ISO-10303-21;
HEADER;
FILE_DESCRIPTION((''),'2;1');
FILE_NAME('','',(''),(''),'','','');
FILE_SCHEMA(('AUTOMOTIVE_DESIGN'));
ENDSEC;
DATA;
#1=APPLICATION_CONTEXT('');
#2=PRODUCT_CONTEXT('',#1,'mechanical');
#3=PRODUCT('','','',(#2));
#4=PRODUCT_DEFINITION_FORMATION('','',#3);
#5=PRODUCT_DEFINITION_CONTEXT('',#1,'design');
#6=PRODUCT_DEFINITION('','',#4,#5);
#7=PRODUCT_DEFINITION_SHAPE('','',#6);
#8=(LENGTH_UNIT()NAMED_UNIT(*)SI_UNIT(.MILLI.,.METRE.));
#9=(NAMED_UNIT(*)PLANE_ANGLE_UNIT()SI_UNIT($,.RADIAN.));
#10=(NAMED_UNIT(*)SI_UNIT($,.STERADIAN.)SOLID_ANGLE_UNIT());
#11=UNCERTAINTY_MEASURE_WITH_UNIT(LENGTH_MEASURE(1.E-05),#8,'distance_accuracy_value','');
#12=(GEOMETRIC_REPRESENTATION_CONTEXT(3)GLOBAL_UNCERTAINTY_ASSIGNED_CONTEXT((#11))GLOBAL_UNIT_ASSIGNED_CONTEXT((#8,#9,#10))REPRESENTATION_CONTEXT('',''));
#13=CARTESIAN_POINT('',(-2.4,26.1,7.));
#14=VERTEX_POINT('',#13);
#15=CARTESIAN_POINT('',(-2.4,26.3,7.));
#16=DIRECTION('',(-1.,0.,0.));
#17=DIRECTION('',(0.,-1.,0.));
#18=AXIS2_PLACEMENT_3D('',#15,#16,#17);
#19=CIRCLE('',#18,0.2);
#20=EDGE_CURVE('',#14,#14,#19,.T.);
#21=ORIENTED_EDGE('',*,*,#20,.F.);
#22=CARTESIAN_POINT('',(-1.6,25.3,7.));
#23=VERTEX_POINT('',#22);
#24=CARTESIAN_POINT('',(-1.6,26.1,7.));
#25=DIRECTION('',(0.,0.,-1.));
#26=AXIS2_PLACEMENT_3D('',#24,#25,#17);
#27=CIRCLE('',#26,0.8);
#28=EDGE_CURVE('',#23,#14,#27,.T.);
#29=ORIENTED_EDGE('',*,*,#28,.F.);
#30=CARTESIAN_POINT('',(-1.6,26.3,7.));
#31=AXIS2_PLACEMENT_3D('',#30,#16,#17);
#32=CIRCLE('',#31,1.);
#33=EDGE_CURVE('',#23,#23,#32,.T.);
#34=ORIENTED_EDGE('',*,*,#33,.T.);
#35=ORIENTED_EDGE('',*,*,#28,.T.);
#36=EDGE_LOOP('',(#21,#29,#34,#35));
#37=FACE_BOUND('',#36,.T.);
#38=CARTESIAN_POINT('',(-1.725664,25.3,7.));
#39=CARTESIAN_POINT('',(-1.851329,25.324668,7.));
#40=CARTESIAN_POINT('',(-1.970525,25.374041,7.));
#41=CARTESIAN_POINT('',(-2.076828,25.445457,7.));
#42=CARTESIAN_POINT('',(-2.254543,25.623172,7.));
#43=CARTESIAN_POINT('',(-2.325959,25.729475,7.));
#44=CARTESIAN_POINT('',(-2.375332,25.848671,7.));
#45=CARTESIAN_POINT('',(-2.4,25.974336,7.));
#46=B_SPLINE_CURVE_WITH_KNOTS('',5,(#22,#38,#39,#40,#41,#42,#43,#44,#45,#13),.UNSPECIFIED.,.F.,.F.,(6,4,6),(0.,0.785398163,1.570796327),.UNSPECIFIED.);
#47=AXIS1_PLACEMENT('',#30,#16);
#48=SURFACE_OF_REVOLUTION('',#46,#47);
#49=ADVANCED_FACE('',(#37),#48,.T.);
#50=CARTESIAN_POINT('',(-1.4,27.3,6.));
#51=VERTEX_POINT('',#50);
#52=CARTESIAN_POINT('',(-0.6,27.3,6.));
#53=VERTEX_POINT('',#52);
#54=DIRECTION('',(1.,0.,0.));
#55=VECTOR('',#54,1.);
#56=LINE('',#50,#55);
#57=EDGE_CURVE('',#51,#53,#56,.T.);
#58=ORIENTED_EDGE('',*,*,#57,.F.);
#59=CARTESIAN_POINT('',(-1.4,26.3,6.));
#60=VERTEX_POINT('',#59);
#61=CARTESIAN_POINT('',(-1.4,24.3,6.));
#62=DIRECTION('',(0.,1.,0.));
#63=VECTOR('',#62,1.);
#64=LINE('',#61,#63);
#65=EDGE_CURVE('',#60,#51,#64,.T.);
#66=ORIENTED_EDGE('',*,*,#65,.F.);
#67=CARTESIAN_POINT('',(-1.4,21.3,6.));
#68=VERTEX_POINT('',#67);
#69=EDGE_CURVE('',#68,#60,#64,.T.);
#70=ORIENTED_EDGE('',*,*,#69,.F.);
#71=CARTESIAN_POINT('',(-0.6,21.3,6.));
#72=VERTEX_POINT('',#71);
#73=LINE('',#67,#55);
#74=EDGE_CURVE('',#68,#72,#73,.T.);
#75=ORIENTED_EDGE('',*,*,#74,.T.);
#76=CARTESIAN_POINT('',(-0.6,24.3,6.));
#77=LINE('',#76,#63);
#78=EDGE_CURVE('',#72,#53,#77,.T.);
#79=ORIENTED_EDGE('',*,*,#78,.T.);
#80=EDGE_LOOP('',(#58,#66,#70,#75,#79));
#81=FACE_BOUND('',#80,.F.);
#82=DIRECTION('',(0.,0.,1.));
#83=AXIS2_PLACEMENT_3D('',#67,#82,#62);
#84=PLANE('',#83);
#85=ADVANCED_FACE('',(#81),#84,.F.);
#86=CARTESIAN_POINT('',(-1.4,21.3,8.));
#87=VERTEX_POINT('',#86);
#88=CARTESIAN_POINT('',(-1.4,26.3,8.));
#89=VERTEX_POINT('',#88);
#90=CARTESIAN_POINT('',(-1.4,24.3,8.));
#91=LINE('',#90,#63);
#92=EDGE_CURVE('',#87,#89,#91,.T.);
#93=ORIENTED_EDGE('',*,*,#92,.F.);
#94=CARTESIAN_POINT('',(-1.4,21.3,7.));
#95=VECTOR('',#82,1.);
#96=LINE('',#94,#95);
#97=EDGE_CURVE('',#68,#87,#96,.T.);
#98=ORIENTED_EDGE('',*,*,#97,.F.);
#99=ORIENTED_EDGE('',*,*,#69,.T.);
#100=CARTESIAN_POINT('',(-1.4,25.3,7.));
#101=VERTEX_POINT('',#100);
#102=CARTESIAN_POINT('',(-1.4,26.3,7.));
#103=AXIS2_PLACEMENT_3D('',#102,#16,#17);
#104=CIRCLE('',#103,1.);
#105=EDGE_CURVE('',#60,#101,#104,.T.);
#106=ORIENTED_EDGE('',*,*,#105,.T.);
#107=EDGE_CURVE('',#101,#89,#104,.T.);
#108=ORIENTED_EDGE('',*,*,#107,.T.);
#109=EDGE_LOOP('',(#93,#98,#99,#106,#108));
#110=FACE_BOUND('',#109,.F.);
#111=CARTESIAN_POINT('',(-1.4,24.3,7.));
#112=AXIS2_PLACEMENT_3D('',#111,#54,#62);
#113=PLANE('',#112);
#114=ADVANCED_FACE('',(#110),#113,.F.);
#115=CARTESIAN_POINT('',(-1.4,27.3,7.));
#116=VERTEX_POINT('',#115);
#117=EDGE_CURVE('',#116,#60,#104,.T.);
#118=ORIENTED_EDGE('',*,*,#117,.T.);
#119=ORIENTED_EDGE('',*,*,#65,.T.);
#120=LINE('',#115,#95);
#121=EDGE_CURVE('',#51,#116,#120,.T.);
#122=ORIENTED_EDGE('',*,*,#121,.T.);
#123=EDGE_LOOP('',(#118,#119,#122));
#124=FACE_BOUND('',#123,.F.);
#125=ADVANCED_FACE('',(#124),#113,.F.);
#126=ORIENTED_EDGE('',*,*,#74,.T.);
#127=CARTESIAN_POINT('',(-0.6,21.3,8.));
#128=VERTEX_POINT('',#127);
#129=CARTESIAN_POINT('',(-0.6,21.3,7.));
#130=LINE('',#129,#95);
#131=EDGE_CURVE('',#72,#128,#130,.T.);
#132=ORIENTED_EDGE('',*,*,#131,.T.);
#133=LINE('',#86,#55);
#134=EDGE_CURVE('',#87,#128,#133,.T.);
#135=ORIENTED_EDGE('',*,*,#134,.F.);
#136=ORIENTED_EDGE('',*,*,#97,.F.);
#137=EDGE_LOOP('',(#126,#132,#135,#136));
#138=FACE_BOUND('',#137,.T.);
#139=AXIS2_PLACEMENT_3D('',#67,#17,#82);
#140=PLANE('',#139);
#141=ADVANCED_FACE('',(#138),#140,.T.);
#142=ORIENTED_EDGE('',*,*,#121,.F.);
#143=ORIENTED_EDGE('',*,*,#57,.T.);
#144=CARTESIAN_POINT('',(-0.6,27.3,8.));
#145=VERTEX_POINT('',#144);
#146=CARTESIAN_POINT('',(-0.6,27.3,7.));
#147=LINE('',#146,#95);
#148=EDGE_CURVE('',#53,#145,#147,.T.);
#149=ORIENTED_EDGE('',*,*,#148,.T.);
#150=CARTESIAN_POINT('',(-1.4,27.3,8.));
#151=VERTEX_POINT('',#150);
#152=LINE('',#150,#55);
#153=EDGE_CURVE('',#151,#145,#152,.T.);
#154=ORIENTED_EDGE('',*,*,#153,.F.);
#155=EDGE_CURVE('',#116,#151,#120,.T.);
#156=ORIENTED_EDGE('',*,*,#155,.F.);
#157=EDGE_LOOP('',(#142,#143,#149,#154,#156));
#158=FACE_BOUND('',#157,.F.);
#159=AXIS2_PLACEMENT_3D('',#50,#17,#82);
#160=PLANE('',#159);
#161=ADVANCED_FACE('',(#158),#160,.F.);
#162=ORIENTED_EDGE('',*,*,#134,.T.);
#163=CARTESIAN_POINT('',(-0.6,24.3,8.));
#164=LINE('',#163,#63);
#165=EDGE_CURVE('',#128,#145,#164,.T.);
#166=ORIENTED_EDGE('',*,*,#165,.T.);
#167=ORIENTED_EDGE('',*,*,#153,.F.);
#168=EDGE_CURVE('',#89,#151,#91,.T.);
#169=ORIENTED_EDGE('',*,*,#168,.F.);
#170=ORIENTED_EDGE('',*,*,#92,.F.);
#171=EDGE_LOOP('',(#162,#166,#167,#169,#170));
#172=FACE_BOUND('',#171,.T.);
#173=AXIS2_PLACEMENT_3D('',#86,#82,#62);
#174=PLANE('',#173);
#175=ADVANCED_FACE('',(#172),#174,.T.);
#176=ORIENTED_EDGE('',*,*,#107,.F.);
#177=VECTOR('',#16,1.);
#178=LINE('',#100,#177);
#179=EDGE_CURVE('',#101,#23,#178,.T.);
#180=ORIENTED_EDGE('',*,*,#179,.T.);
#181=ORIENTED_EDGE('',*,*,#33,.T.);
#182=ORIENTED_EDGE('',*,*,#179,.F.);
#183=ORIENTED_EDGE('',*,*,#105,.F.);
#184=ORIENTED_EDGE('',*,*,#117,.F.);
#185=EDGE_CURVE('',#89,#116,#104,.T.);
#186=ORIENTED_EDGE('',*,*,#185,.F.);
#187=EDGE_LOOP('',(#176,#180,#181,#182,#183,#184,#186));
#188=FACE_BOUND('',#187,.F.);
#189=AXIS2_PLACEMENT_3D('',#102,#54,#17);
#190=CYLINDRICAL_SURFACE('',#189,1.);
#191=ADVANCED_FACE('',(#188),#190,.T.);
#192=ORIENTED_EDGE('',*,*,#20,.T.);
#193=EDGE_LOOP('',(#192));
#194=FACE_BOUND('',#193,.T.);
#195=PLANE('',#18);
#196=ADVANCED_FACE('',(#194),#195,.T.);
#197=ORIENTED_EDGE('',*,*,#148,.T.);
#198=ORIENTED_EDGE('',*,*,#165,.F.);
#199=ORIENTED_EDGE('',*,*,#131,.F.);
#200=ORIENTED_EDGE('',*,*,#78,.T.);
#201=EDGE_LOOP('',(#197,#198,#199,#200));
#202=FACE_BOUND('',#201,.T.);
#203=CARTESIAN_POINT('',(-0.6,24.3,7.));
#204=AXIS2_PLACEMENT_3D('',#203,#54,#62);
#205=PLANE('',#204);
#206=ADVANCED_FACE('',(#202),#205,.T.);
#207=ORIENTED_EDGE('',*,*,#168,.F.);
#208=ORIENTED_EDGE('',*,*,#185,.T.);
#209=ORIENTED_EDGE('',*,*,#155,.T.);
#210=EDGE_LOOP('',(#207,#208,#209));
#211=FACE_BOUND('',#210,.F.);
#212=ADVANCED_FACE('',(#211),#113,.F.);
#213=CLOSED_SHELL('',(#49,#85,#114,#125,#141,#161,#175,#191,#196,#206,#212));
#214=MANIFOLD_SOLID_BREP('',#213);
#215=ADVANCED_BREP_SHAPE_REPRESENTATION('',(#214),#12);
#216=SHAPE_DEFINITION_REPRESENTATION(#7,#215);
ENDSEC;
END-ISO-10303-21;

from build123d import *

# Parameters (mm, degrees)
SKETCH019_W             = 6
SKETCH019_H             = 2
PAD002_DEPTH            = 0.8
SKETCH020_R             = 1
PAD003_DEPTH            = 1
FILLET002_R             = 0.8
BODY004_PLACEMENT_ANGLE = 180


with BuildPart() as part:
    # Sketch019 → Pad002 (new body)
    with BuildSketch(Plane(origin=(-3, 16, 14), x_dir=(0, -1, 0), z_dir=(1, 0, 0))):
        with Locations((3, 1)):
            Rectangle(SKETCH019_W, SKETCH019_H)
    extrude(amount=PAD002_DEPTH)

    # Sketch020 (on Face5 of Pad002) → Pad003 (join)
    with BuildSketch(Plane(origin=(-3, 0, 0), x_dir=(0, 1, 0), z_dir=(-1, 0, 0))):
        with Locations((11, -13)):
            Circle(SKETCH020_R)
    extrude(amount=PAD003_DEPTH)

    # Fillet002
    fillet002_edges = [part.edges().sort_by_distance(p)[0] for p in [
        (-4, 10, 13),
    ]]
    fillet(fillet002_edges, radius=FILLET002_R)


with BuildPart() as part_1:
    # Body002 placement: moved
    add(part.part.moved(Location((-16, 0, 0))))


with BuildPart() as part_2:
    # Body004 placement: moved
    add(part_1.part.moved(Location((17.6, 37.3, 20))).rotate(Axis((17.6, 37.3, 20), (1, 0, 0)), BODY004_PLACEMENT_ANGLE))


solid = part_2.part
